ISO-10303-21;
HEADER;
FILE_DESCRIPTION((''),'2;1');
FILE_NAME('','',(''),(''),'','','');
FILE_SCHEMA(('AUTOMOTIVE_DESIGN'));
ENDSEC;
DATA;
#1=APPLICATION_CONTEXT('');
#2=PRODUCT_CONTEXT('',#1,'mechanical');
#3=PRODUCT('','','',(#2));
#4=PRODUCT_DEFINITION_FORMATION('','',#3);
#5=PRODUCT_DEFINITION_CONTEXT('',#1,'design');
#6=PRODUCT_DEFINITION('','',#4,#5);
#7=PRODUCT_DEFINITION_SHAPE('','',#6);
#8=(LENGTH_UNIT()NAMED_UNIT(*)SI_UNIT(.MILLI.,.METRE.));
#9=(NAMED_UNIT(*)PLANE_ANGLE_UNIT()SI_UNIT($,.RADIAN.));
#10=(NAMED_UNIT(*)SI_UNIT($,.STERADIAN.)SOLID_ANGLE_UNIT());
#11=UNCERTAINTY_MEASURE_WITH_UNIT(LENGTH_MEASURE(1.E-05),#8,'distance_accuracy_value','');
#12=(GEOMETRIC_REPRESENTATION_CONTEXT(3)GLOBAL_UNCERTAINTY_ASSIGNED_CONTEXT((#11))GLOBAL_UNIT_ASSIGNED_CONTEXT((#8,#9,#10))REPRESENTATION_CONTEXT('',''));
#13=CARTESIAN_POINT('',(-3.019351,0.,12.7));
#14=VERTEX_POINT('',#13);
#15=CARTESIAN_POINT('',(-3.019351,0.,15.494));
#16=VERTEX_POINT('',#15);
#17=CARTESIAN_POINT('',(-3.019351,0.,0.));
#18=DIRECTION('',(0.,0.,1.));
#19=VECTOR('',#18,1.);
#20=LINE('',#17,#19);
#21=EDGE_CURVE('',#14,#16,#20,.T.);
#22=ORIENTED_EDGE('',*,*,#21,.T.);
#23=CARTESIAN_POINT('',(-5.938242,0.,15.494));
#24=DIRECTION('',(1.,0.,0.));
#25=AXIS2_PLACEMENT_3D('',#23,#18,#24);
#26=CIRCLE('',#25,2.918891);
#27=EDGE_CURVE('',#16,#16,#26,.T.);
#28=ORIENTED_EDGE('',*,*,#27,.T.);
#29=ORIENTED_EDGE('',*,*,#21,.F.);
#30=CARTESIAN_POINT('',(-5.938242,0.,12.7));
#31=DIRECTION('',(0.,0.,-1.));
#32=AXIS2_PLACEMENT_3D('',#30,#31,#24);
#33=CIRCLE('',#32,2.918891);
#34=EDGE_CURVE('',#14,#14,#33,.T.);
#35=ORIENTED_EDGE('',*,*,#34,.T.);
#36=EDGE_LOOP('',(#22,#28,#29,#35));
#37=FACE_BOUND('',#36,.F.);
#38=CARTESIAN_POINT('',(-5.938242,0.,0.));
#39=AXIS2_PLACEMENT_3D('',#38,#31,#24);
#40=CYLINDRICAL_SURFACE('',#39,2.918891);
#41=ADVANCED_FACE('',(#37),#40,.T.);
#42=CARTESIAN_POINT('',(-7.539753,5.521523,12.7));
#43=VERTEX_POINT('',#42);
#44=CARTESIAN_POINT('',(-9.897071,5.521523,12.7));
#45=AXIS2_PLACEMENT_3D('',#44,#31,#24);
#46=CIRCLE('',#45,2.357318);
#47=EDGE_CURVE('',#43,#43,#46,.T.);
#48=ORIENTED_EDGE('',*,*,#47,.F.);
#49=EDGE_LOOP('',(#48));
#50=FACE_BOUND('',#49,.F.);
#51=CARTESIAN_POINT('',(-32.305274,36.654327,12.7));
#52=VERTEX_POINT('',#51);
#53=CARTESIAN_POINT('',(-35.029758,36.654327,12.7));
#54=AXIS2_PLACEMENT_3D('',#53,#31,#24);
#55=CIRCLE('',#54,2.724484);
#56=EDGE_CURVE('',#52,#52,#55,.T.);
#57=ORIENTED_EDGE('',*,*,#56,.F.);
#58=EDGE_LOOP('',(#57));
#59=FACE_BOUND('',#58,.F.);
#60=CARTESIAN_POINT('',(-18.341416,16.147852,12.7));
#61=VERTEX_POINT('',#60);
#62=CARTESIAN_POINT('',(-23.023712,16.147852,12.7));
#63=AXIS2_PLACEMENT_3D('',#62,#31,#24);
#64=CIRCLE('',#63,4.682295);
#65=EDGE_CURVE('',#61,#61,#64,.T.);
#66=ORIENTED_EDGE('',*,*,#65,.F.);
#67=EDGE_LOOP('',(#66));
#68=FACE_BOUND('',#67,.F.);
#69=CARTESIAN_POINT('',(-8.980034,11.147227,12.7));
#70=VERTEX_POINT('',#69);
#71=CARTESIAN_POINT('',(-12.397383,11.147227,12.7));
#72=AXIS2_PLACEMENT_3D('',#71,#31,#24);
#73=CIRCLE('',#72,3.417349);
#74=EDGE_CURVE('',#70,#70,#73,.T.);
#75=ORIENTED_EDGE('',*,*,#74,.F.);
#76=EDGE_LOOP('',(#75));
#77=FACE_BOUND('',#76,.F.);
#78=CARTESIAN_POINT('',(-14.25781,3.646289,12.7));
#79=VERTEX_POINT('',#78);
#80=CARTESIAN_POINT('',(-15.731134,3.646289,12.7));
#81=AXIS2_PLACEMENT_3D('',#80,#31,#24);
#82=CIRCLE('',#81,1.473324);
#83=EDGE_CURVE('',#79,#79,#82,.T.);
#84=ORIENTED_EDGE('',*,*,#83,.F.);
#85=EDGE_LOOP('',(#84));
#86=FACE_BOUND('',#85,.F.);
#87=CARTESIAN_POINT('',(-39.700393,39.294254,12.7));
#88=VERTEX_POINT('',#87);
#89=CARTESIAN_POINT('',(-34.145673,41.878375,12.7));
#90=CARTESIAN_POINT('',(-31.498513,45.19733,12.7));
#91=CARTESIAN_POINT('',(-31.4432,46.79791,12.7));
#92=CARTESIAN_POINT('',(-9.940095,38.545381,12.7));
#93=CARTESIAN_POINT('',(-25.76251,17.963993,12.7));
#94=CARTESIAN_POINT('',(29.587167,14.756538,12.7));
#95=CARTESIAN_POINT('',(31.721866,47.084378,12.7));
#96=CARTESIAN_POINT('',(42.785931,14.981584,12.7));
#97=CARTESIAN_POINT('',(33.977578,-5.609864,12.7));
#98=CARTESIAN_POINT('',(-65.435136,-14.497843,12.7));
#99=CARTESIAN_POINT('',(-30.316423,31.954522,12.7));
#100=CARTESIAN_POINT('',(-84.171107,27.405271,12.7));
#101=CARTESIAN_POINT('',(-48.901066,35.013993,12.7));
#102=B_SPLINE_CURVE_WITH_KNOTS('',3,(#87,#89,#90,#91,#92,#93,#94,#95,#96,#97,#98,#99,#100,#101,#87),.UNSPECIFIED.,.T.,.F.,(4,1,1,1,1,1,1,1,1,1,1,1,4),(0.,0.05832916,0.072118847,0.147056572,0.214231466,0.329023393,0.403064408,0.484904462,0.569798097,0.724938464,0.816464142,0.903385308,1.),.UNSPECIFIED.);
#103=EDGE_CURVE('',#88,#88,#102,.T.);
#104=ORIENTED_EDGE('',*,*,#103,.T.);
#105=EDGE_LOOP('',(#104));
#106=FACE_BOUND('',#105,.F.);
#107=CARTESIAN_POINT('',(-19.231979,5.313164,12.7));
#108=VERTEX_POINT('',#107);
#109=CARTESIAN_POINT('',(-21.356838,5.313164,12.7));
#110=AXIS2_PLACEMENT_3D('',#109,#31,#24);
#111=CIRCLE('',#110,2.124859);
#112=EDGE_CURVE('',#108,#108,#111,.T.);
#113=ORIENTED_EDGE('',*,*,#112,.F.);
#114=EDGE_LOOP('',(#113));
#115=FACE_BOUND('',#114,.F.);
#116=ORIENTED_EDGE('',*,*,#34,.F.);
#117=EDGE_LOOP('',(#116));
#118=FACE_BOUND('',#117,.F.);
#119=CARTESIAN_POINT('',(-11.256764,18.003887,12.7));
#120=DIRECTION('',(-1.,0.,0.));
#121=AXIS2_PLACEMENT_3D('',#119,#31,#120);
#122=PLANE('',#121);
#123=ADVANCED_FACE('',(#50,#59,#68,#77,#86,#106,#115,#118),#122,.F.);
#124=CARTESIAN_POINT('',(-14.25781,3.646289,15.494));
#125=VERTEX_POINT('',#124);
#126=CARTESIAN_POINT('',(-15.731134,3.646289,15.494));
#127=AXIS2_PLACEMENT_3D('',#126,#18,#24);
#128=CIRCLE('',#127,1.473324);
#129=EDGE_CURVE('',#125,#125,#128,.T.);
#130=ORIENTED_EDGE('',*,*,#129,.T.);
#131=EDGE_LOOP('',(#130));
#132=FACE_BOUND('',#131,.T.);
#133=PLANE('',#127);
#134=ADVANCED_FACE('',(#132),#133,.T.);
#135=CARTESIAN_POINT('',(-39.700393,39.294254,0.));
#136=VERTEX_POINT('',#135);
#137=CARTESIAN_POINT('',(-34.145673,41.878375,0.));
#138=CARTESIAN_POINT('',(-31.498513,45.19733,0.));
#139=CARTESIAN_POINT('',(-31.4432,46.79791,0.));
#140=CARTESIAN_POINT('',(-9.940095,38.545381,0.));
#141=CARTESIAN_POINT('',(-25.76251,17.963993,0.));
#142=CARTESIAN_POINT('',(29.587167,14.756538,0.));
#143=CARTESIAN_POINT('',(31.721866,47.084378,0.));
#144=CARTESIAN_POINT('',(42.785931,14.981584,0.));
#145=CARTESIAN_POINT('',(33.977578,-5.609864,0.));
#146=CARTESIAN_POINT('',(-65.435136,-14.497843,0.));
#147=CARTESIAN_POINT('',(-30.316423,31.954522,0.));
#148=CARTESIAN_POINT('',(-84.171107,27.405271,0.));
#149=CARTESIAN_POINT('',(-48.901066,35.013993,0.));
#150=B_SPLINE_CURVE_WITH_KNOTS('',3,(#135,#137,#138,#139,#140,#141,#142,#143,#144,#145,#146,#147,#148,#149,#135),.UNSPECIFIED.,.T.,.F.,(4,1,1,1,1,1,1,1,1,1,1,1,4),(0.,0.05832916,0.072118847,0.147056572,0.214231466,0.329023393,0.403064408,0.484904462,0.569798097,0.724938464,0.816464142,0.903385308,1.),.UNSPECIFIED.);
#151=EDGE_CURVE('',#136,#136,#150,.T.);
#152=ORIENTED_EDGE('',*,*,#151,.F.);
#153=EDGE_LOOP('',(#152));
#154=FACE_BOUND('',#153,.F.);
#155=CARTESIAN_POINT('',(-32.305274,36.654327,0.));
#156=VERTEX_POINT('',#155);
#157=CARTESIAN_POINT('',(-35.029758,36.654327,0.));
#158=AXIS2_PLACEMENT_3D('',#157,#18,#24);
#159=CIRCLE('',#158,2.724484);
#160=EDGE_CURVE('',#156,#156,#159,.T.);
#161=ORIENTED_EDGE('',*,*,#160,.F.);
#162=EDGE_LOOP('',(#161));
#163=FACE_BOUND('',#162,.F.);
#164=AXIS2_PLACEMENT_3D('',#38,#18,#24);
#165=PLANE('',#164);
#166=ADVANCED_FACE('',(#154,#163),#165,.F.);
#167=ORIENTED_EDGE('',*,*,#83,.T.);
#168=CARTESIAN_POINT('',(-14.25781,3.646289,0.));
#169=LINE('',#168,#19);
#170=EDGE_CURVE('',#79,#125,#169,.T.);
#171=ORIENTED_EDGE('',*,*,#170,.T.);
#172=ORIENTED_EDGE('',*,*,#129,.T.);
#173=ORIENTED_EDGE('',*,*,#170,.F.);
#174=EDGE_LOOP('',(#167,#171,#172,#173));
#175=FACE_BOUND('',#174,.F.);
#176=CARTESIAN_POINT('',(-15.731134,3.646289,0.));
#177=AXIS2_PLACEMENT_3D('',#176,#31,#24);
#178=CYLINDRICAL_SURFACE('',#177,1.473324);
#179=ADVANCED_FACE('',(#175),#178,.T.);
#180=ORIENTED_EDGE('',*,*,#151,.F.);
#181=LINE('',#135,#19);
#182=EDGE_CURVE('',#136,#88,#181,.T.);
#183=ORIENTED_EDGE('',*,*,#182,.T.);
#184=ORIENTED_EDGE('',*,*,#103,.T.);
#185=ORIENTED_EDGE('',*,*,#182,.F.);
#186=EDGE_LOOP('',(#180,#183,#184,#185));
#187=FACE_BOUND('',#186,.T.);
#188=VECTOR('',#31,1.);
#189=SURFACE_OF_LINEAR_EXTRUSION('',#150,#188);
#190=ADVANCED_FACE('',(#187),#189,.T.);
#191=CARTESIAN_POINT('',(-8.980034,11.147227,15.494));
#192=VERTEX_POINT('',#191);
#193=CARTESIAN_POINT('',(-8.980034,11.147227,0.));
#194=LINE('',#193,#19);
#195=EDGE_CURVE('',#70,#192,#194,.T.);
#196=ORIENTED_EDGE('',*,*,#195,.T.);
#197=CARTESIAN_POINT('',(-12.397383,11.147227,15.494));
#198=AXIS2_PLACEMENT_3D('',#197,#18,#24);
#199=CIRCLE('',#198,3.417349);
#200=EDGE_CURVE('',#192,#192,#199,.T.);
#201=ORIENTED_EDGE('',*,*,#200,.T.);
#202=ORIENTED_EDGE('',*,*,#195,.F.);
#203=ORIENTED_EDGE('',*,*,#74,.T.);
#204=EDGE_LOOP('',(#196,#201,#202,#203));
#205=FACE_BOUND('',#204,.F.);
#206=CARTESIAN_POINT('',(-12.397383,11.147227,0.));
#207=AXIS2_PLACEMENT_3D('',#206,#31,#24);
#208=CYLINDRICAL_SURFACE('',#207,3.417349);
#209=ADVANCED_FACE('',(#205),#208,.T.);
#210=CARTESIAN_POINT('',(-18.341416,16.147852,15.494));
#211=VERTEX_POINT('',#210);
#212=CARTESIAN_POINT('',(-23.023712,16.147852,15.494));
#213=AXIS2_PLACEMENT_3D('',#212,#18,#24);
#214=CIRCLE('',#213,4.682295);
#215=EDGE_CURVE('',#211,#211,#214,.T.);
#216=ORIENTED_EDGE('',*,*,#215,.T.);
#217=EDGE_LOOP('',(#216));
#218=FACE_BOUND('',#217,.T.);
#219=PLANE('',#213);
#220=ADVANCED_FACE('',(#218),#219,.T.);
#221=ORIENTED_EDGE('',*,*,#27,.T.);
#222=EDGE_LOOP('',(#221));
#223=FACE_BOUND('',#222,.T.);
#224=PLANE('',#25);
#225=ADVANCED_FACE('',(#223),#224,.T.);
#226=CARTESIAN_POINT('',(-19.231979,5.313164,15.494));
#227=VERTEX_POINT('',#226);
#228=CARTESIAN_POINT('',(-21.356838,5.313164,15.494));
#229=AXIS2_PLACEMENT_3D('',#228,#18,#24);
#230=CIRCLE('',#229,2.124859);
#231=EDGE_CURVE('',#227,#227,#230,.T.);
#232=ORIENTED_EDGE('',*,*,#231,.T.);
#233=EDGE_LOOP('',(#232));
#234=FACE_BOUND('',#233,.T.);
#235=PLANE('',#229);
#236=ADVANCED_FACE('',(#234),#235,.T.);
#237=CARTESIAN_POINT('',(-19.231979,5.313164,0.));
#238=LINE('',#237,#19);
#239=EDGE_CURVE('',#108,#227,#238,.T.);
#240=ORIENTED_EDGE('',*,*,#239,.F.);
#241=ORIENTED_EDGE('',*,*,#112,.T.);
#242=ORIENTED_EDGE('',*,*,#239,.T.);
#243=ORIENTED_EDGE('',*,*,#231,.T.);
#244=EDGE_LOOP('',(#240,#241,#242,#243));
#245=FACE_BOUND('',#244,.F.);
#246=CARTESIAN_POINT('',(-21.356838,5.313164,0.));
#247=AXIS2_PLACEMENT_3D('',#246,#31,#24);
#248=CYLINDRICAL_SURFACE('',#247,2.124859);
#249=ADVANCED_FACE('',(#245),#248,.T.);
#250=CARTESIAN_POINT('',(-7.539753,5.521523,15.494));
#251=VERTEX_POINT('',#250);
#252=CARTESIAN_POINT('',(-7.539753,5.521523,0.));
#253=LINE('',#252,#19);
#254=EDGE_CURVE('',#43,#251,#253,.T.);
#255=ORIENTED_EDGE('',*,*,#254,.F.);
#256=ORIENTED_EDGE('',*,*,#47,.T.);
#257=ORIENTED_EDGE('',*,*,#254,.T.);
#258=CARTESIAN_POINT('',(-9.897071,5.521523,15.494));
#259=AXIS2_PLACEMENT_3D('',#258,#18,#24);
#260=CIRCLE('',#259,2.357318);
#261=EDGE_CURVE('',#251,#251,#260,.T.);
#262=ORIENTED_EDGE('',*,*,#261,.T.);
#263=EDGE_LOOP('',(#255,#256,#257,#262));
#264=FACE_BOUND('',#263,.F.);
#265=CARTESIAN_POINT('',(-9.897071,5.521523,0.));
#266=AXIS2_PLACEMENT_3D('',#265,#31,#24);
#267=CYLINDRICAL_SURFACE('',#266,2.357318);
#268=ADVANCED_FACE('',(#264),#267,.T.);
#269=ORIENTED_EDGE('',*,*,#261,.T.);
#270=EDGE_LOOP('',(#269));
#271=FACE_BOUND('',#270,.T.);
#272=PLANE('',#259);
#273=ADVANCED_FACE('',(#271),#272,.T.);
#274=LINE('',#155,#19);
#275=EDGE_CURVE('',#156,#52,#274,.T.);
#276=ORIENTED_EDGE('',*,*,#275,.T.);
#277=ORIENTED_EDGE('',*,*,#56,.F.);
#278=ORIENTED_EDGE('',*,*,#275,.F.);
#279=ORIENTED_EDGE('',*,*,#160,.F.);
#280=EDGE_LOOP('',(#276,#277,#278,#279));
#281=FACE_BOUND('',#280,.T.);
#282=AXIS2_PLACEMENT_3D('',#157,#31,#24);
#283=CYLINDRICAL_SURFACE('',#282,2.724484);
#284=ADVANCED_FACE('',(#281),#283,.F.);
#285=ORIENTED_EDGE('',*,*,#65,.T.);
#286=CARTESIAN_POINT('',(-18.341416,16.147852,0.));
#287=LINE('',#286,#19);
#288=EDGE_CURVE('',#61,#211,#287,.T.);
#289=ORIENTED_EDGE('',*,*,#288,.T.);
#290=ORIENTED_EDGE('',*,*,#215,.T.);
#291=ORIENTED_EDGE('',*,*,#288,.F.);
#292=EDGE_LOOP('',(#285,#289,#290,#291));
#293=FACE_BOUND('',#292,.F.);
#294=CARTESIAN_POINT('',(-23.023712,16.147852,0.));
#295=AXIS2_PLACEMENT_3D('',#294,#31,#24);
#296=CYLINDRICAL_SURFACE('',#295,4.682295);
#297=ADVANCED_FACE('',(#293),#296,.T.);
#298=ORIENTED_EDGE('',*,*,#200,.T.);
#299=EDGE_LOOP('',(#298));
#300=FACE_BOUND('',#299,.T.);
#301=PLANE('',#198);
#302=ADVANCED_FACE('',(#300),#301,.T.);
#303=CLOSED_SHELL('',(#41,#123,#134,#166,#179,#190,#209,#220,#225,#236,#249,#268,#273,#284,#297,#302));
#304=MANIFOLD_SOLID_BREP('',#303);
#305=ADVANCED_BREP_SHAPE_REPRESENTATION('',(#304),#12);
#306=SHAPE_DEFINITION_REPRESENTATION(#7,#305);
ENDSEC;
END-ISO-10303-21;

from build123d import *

# Parameters (mm, degrees)
F1_DEPTH = 12.7
F2_R     = 2.7244838704
F3_DEPTH = 48.514
F4_R     = 2.9188910476
F4_R_2   = 4.6822950742
F4_R_3   = 2.1248590254
F4_R_4   = 1.4733235968
F4_R_5   = 3.4173490768
F4_R_6   = 2.3573175243
F5_DEPTH = 15.494


with BuildPart() as f1:
    # F0 (on Top) → F1 (new body)
    with BuildSketch(Plane.XY):
        with BuildLine():
            add(Edge.make_bspline(
                [(-39.7003926337, 39.2942540348), (-34.145672882, 41.8783748231), (-31.4985130851, 45.1973298836), (-31.4432002745, 46.7979101876), (-9.9400945176, 38.5453807407), (-25.7625096088, 17.9639931528), (29.5871671122, 14.756538087), (31.7218660568, 47.0843775406), (42.785930507, 14.9815841283), (33.9775780461, -5.6098640227), (-65.4351356906, -14.4978425831), (-30.3164226952, 31.9545218817), (-84.1711071577, 27.4052709906), (-48.9010658659, 35.0139929183), (-39.7003926337, 39.2942540348)],
                knots=[0, 0, 0, 0, 0.0583291596, 0.0721188468, 0.147056572, 0.2142314663, 0.3290233929, 0.4030644082, 0.4849044621, 0.569798097, 0.7249384635, 0.816464142, 0.9033853081, 1, 1, 1, 1], degree=3))
        make_face()
    extrude(amount=F1_DEPTH)

    # F2 (on Top) → F3 (cut)
    with BuildSketch(Plane.XY):
        with Locations((-35.0297577679, 36.6543270648)):
            Circle(F2_R)
    extrude(amount=F3_DEPTH, mode=Mode.SUBTRACT)

    # F4 (on Top) → F5 (join)
    with BuildSketch(Plane.XY):
        with Locations((-5.9382421896, 0)):
            Circle(F4_R)
        with Locations((-23.0237115175, 16.147851944)):
            Circle(F4_R_2)
        with Locations((-21.356837824, 5.3131640889)):
            Circle(F4_R_3)
        with Locations((-15.7311335206, 3.6462892313)):
            Circle(F4_R_4)
        with Locations((-12.3973833397, 11.1472271383)):
            Circle(F4_R_5)
        with Locations((-9.8970709369, 5.5215233006)):
            Circle(F4_R_6)
    extrude(amount=F5_DEPTH)


solid = f1.part
